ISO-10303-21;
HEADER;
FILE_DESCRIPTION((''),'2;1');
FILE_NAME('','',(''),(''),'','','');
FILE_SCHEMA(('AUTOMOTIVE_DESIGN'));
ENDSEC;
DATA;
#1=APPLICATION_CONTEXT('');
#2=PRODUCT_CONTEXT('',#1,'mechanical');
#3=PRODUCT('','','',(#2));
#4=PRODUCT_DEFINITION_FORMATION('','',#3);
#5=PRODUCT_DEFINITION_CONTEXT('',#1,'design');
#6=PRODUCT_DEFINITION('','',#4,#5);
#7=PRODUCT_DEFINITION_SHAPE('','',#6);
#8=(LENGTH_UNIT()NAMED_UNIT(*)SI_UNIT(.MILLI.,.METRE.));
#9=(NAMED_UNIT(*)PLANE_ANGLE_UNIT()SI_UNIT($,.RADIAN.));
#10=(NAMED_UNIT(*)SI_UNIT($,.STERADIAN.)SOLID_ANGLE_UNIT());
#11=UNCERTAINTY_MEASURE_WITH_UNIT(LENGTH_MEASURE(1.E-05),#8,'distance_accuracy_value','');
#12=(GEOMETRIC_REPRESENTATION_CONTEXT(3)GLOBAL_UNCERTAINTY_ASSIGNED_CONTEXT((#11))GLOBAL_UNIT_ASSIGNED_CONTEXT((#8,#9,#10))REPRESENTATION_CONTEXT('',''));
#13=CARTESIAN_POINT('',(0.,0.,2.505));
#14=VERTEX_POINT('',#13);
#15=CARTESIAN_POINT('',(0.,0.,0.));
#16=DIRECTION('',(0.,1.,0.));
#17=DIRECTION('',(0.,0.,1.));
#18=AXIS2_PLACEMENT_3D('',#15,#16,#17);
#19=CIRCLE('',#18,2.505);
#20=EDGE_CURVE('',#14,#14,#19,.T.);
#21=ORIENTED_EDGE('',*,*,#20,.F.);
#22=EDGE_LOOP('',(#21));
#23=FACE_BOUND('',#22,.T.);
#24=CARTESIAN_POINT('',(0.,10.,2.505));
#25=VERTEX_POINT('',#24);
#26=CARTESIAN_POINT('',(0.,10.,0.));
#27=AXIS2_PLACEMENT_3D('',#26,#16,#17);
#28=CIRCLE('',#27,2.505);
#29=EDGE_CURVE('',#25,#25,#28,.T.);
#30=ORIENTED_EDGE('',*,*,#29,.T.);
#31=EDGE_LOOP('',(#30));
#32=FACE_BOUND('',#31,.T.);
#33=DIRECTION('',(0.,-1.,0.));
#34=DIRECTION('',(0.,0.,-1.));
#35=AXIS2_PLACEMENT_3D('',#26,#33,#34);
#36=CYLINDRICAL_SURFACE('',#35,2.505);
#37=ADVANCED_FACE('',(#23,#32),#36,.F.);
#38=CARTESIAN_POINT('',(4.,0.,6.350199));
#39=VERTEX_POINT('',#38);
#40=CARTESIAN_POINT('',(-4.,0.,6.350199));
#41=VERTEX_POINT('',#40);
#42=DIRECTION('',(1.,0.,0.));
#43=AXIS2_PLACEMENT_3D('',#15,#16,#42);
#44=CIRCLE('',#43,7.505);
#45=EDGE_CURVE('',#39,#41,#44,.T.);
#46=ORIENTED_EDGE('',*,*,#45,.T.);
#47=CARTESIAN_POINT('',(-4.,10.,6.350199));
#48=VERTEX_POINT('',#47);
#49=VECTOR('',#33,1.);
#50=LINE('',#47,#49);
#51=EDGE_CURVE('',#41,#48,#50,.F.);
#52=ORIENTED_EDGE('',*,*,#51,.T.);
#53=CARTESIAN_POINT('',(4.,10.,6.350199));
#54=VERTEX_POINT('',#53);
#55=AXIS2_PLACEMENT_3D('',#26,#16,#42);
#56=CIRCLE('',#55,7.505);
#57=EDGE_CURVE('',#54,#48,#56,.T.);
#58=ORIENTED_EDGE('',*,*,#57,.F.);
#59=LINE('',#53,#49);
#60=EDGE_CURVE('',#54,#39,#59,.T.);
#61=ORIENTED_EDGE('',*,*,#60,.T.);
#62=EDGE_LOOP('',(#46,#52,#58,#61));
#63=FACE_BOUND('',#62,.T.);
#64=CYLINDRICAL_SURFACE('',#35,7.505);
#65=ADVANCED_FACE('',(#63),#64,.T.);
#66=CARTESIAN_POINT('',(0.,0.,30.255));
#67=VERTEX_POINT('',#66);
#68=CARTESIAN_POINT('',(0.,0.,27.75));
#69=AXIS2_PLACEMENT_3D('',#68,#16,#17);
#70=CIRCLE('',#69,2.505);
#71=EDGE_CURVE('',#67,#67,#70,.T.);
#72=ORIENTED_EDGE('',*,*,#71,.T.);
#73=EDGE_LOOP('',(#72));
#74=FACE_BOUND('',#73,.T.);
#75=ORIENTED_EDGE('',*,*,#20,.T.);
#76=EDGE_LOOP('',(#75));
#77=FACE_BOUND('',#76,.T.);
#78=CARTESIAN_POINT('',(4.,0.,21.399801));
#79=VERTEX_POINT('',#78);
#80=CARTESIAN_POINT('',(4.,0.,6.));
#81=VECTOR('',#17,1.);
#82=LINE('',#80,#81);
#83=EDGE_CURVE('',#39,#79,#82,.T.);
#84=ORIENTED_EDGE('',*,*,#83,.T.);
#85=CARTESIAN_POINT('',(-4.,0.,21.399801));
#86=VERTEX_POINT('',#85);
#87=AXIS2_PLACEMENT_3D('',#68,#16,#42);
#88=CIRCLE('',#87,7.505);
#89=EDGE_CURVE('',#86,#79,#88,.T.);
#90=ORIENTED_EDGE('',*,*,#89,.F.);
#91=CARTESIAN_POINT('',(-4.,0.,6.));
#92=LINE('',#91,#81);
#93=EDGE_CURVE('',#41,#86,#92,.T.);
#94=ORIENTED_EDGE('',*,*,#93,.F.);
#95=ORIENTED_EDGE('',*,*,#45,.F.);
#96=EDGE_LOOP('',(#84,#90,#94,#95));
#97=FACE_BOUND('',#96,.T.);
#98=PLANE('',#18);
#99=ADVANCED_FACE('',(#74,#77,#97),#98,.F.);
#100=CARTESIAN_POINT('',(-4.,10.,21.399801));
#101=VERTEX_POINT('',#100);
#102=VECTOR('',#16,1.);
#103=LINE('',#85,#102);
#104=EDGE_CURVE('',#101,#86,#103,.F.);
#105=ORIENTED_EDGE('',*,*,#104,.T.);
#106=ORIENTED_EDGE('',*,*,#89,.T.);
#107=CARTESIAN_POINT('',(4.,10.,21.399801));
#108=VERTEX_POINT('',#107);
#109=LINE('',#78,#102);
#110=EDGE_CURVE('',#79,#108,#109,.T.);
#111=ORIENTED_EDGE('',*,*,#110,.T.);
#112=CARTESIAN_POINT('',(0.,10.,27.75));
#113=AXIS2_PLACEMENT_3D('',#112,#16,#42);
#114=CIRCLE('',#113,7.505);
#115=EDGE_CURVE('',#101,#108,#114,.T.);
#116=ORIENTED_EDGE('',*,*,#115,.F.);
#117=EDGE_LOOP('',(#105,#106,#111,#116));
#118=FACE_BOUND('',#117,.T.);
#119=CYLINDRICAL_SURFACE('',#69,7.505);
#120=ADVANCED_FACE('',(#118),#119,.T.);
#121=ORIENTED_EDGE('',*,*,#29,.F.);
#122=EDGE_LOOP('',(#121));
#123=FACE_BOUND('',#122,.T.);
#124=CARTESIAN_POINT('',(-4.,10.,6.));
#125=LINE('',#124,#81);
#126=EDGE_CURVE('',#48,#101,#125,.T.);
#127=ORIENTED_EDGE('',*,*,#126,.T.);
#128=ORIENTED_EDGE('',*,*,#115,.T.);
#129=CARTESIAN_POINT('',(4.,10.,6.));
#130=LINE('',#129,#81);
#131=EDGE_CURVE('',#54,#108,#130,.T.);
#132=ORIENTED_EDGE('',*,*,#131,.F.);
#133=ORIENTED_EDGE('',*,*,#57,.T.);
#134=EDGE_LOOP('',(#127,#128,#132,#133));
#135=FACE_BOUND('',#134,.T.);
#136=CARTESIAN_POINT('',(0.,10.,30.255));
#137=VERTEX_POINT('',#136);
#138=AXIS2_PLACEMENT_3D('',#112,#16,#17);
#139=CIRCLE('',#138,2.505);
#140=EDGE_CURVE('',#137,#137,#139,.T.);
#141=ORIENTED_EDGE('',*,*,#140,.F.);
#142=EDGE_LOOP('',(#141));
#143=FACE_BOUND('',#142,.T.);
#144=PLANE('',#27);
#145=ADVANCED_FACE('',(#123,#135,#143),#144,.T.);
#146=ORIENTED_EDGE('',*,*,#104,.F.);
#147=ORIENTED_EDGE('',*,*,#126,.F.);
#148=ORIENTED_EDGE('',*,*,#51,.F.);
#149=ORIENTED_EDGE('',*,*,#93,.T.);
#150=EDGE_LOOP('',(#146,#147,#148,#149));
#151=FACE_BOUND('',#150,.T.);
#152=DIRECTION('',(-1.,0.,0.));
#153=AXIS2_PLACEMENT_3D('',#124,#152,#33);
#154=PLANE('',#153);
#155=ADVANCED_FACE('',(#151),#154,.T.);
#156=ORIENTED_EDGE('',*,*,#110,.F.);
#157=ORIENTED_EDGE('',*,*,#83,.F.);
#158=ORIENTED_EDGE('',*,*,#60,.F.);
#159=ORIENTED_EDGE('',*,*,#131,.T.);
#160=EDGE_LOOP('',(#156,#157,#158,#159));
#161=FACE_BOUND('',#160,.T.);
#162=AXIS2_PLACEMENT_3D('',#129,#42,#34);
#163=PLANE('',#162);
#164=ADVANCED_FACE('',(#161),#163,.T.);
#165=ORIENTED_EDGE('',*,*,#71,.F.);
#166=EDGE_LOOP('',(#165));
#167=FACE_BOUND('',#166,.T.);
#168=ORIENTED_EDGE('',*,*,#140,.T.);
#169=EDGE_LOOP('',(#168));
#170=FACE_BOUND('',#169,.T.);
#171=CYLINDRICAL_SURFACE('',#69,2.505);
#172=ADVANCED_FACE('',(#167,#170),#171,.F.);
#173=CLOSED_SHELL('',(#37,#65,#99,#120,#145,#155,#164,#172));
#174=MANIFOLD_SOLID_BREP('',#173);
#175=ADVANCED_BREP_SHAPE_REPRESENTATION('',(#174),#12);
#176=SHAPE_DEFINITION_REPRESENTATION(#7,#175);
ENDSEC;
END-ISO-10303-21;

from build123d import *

# Parameters (mm, degrees)
SKETCH_1_R           = 7.505
SKETCH_1_R_2         = 2.505
EXTRUDE_1_DEPTH      = 10
EXTRUDE_3_DEPTH      = 18.25
EXTRUDE_3_DEPTH_BACK = 7
SKETCH_7_W           = 8
SKETCH_7_H           = 10
SKETCH_9_W           = 8
SKETCH_9_H           = 3.5
CUT_EXTRUDE_1_DEPTH  = 18.25
SKETCH_10_R          = 7.505
SKETCH_10_R_2        = 2.505
EXTRUDE_4_DEPTH      = 10
SKETCH_11_R          = 2.505
CUT_EXTRUDE_2_DEPTH  = 10


with BuildPart() as part:
    # 草圖1 → 伸長-薄件1 (new body)
    with BuildSketch(Plane(origin=(0, 0, 0), x_dir=(1, 0, 0), z_dir=(0, 1, 0))):
        Circle(SKETCH_1_R)
        Circle(SKETCH_1_R_2, mode=Mode.SUBTRACT)
    extrude(amount=EXTRUDE_1_DEPTH)

    # 草圖7 → 填料-伸長3 (add, two sides: drawn at the far end of the back side and taken through both)
    with BuildSketch(Plane.XY.offset(13).offset(-EXTRUDE_3_DEPTH_BACK)):
        with Locations((0, 5)):
            Rectangle(SKETCH_7_W, SKETCH_7_H)
    extrude(amount=EXTRUDE_3_DEPTH + EXTRUDE_3_DEPTH_BACK)

    # 草圖9 → 除料-伸長1 (cut)
    with BuildSketch(Plane(origin=(0, 10, 0), x_dir=(1, 0, 0), z_dir=(0, 1, 0))):
        with Locations((0, -29.5)):
            Rectangle(SKETCH_9_W, SKETCH_9_H)
    extrude(amount=-CUT_EXTRUDE_1_DEPTH, mode=Mode.SUBTRACT)

    # 草圖10 → 伸長-薄件4 (add)
    with BuildSketch(Plane(origin=(0, 10, 0), x_dir=(1, 0, 0), z_dir=(0, 1, 0))):
        with Locations((0, -27.75)):
            Circle(SKETCH_10_R)
        with Locations((0, -27.75)):
            Circle(SKETCH_10_R_2, mode=Mode.SUBTRACT)
    extrude(amount=-EXTRUDE_4_DEPTH)

    # 草圖11 → 除料-伸長2 (cut)
    with BuildSketch(Plane(origin=(0, 10, 0), x_dir=(1, 0, 0), z_dir=(0, 1, 0))):
        with Locations(Location((0, -27.75, 0), (0, 0, 270))):
            Circle(SKETCH_11_R)
    extrude(amount=-CUT_EXTRUDE_2_DEPTH, mode=Mode.SUBTRACT)


solid = part.part
